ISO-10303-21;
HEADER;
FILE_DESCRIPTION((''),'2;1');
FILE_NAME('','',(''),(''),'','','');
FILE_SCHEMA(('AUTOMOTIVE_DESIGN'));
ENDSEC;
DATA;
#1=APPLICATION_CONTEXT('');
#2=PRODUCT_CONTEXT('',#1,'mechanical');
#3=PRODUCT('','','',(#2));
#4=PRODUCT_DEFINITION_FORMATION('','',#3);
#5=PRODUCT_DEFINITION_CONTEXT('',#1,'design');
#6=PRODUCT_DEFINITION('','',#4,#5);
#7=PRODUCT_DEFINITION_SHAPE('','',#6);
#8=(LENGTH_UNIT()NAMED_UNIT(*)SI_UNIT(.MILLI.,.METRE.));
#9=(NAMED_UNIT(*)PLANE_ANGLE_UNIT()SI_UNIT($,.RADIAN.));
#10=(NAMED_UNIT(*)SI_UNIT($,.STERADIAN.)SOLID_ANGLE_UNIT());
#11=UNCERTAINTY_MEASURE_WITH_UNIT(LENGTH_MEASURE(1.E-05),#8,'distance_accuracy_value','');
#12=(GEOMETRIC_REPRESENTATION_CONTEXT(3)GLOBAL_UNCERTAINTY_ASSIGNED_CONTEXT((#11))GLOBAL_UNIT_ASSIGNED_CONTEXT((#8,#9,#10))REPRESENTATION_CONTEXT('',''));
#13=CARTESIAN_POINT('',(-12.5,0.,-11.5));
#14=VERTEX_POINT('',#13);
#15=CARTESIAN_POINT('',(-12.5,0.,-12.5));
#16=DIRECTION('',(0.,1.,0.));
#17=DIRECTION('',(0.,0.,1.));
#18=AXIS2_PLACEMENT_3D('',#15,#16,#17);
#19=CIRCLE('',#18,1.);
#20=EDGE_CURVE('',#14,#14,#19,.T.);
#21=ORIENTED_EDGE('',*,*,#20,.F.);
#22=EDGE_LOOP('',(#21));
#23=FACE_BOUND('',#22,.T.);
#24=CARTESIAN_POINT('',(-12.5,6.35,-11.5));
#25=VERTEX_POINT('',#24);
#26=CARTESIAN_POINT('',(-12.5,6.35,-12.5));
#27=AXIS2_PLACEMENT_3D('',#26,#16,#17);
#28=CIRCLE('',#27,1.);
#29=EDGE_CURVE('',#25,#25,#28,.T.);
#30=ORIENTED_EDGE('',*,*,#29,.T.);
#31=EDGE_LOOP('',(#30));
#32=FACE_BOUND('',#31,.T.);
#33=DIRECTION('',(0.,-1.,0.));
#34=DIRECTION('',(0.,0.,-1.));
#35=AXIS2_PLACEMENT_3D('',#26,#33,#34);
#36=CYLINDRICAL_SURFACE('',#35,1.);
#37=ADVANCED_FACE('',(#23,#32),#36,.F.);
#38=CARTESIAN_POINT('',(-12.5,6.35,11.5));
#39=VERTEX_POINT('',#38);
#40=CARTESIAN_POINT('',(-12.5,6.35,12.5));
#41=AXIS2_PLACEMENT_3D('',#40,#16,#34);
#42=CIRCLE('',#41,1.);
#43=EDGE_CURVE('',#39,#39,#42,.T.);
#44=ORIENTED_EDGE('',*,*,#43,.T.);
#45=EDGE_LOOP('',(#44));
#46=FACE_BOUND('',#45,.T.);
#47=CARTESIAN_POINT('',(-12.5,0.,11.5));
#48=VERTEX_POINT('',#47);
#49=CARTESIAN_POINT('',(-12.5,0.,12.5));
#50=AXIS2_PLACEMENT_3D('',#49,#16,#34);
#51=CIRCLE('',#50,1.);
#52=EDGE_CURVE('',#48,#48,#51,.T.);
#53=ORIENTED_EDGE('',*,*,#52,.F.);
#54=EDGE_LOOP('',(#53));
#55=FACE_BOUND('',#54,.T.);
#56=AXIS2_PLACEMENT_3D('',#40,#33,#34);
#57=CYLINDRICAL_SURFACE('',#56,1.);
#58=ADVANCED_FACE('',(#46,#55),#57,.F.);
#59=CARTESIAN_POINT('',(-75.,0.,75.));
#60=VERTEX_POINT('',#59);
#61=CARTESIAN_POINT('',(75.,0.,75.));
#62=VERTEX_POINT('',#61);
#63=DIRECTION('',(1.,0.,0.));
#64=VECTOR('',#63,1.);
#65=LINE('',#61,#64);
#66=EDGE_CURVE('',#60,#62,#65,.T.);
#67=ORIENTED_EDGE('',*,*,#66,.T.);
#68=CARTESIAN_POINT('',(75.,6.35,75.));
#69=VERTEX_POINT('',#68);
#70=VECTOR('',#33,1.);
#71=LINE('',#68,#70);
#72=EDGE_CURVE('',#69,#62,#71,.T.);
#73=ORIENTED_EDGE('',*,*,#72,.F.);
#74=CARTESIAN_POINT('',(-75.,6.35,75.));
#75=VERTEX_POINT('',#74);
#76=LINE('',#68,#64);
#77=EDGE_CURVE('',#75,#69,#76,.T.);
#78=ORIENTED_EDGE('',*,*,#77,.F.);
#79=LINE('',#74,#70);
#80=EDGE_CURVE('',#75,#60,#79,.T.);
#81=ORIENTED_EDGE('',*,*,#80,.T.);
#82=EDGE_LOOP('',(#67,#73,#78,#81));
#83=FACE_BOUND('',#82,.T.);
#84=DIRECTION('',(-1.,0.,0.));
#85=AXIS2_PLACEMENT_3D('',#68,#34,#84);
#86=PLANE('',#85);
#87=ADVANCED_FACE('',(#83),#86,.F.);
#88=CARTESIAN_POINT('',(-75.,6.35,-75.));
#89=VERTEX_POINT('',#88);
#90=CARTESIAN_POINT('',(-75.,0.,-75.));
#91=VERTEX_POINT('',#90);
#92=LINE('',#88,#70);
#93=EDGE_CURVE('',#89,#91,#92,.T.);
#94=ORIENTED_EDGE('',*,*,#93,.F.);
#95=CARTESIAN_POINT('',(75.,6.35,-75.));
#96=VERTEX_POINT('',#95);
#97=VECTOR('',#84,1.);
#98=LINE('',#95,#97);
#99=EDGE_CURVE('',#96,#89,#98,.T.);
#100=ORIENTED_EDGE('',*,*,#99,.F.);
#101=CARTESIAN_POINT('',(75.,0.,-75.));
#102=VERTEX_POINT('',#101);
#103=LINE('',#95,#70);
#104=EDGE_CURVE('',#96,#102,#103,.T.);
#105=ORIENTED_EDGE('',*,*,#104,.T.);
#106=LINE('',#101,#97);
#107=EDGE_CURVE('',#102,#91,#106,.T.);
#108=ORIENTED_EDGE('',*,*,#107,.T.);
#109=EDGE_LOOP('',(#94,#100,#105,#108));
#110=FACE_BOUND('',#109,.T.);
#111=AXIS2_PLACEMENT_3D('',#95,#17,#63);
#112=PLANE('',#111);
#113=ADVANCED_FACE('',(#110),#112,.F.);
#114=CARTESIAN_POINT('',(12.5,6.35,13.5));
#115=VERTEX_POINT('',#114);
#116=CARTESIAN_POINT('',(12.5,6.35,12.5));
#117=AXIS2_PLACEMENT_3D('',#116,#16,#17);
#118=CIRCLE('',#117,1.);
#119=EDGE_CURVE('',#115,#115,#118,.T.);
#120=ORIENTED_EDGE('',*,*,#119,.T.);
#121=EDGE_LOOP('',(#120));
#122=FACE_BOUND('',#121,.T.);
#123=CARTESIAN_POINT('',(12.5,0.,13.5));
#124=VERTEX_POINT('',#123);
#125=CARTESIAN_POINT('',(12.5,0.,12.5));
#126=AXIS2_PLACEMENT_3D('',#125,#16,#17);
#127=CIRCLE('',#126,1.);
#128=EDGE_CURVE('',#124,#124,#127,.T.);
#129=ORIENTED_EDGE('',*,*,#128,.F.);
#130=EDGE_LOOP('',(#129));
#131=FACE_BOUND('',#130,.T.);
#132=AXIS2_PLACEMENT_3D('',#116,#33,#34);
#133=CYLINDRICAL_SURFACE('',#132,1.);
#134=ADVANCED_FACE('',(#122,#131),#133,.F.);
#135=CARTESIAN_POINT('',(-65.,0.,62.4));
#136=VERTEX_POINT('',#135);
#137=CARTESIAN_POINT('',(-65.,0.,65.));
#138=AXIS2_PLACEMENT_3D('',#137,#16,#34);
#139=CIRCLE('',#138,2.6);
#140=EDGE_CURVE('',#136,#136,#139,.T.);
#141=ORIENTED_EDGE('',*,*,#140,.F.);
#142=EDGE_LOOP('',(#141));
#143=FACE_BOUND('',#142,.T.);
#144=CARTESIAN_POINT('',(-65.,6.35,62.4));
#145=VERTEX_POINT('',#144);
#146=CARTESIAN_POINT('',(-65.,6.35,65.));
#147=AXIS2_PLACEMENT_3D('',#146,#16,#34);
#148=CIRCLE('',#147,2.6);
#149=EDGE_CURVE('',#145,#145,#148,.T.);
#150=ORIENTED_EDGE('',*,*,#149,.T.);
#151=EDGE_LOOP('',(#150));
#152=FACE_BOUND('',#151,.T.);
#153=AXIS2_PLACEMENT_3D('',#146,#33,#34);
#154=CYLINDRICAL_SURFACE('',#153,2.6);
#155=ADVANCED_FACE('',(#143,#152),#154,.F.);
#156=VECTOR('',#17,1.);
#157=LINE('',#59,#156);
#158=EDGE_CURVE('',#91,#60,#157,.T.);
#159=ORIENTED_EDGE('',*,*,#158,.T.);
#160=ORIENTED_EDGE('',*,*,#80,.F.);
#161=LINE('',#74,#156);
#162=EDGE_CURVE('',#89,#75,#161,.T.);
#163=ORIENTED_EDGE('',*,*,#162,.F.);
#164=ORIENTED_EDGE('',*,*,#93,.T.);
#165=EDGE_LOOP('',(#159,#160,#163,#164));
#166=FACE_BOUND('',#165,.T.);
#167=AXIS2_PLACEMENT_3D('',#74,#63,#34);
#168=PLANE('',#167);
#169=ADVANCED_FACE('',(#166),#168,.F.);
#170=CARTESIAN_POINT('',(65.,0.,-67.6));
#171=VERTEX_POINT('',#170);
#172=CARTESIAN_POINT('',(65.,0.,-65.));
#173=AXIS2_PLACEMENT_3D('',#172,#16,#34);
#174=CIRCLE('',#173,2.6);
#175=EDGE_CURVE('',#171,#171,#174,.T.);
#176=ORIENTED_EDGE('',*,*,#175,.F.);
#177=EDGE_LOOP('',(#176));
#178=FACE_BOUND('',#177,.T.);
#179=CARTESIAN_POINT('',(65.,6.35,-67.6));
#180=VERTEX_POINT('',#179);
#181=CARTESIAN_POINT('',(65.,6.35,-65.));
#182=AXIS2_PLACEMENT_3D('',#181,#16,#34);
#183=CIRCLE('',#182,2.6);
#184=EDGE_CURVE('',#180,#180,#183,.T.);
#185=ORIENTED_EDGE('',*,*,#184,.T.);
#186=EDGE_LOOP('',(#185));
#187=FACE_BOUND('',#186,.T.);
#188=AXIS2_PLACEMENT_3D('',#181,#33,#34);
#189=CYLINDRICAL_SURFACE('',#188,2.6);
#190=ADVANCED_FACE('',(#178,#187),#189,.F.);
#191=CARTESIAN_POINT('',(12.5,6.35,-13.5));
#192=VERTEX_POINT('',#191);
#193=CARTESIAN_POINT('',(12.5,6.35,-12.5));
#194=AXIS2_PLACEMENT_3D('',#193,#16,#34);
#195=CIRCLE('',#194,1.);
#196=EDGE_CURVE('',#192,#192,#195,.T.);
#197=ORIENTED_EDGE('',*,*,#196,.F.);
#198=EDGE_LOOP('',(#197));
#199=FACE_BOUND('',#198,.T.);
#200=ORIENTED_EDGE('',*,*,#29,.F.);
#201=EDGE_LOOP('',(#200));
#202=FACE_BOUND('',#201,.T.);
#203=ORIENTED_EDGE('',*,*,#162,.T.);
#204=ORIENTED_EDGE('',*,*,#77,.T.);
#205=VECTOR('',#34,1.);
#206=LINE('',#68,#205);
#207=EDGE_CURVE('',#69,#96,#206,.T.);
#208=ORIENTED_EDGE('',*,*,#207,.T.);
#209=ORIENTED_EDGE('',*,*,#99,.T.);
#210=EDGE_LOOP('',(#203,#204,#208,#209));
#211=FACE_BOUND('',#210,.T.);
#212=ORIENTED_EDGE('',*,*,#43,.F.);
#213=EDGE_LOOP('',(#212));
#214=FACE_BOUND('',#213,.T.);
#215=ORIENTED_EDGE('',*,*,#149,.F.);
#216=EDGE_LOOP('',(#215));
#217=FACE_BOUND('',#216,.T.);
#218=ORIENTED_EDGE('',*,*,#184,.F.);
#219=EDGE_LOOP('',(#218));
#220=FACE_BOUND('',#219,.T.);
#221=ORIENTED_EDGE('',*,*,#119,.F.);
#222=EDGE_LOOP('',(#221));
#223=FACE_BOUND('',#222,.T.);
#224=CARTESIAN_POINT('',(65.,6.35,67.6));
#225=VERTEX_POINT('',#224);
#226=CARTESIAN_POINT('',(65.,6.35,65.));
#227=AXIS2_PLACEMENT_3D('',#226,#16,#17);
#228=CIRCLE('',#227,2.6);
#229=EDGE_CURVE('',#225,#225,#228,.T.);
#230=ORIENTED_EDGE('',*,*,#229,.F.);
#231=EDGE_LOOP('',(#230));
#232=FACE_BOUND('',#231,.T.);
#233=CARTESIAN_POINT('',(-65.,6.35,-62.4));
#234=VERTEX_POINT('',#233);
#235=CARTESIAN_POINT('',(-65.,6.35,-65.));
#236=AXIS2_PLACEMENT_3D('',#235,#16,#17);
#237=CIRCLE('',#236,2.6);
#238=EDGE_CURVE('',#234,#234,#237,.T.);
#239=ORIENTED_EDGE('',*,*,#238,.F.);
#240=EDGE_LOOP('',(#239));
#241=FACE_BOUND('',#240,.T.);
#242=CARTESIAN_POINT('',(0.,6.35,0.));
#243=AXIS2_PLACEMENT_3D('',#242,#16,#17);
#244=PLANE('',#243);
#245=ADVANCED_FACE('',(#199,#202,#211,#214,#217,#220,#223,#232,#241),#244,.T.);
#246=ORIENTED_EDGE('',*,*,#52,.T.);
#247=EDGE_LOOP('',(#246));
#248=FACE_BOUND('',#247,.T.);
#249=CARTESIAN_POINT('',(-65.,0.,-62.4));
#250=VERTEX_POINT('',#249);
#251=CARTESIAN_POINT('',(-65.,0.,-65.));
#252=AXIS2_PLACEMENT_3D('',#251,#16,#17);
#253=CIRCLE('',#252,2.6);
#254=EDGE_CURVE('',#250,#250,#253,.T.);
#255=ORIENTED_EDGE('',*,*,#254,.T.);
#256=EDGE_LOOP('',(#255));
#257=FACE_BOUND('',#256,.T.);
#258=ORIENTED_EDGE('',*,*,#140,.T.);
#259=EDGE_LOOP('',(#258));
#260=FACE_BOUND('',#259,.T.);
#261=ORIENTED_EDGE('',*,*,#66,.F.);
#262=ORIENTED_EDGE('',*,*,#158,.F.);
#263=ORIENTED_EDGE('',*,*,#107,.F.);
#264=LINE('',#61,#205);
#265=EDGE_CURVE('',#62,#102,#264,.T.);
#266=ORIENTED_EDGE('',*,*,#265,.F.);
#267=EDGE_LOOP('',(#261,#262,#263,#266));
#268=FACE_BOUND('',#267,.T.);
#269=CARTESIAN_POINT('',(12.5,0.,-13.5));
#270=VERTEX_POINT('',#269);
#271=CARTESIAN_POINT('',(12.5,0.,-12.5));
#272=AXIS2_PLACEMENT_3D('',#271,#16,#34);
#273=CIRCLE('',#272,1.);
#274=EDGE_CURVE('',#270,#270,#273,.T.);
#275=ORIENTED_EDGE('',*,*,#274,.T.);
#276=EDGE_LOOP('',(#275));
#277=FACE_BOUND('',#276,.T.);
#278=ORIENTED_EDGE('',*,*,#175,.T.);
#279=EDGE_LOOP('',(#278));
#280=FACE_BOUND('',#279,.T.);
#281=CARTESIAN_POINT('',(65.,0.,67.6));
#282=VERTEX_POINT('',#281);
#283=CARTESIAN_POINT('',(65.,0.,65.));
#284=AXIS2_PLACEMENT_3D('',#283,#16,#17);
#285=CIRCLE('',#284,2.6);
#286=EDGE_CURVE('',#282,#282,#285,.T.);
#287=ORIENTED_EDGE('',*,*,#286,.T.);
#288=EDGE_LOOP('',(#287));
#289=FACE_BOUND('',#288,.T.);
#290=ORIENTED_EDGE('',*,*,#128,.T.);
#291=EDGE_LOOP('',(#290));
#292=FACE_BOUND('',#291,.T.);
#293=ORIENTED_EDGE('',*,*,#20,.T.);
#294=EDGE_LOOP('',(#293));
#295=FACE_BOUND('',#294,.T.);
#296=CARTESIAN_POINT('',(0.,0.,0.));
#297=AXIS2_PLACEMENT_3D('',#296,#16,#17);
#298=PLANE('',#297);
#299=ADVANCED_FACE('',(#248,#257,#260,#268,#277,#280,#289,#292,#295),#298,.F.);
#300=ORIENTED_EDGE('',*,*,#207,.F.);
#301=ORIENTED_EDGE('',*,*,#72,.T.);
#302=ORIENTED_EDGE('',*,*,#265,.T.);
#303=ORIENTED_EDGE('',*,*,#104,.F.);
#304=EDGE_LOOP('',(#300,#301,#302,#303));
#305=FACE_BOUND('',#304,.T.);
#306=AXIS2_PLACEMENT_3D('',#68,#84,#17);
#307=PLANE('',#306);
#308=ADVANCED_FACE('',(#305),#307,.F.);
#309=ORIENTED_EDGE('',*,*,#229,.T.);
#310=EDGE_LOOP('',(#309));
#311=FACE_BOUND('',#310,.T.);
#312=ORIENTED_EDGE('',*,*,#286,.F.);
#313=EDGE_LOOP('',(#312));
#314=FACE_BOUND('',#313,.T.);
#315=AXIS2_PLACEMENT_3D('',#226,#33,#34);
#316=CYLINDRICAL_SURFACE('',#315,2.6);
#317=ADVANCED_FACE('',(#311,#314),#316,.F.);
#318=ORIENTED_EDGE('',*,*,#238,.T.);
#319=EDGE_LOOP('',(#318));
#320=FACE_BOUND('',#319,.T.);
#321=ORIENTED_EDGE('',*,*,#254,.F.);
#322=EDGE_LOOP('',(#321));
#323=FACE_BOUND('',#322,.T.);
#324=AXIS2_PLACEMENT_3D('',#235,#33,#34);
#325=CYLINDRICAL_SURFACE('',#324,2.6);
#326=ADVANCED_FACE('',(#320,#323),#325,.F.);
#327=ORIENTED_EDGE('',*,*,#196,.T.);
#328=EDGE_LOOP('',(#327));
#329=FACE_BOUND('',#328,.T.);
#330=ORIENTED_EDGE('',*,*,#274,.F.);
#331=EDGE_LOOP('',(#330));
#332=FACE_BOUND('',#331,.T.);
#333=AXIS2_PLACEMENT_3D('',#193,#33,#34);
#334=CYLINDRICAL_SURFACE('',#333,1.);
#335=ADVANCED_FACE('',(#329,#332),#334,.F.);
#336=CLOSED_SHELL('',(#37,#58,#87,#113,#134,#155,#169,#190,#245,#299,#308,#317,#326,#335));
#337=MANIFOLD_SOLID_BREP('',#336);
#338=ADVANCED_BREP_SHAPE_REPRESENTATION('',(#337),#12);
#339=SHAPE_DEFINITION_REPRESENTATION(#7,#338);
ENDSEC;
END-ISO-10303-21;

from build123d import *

# Parameters (mm, degrees)
SKETCH2_W           = 150
SKETCH2_H           = 150
SKETCH2_R           = 2.6
SKETCH2_R_2         = 1
BOSS_EXTRUDE1_DEPTH = 6.35


with BuildPart() as part:
    # Sketch2 → Boss-Extrude1 (new body)
    with BuildSketch(Plane(origin=(0, 0, 0), x_dir=(1, 0, 0), z_dir=(0, 1, 0))):
        Rectangle(SKETCH2_W, SKETCH2_H)
        with Locations(Location((-65, 65, 0), (0, 0, 270))):
            Circle(SKETCH2_R, mode=Mode.SUBTRACT)
        with Locations(Location((65, 65, 0), (0, 0, 90))):
            Circle(SKETCH2_R, mode=Mode.SUBTRACT)
        with Locations(Location((65, -65, 0), (0, 0, 270))):
            Circle(SKETCH2_R, mode=Mode.SUBTRACT)
        with Locations(Location((-65, -65, 0), (0, 0, 90))):
            Circle(SKETCH2_R, mode=Mode.SUBTRACT)
        with Locations(Location((-12.5, 12.5, 0), (0, 0, 270))):
            Circle(SKETCH2_R_2, mode=Mode.SUBTRACT)
        with Locations(Location((12.5, 12.5, 0), (0, 0, 90))):
            Circle(SKETCH2_R_2, mode=Mode.SUBTRACT)
        with Locations(Location((12.5, -12.5, 0), (0, 0, 270))):
            Circle(SKETCH2_R_2, mode=Mode.SUBTRACT)
        with Locations(Location((-12.5, -12.5, 0), (0, 0, 90))):
            Circle(SKETCH2_R_2, mode=Mode.SUBTRACT)
    extrude(amount=BOSS_EXTRUDE1_DEPTH)


solid = part.part
